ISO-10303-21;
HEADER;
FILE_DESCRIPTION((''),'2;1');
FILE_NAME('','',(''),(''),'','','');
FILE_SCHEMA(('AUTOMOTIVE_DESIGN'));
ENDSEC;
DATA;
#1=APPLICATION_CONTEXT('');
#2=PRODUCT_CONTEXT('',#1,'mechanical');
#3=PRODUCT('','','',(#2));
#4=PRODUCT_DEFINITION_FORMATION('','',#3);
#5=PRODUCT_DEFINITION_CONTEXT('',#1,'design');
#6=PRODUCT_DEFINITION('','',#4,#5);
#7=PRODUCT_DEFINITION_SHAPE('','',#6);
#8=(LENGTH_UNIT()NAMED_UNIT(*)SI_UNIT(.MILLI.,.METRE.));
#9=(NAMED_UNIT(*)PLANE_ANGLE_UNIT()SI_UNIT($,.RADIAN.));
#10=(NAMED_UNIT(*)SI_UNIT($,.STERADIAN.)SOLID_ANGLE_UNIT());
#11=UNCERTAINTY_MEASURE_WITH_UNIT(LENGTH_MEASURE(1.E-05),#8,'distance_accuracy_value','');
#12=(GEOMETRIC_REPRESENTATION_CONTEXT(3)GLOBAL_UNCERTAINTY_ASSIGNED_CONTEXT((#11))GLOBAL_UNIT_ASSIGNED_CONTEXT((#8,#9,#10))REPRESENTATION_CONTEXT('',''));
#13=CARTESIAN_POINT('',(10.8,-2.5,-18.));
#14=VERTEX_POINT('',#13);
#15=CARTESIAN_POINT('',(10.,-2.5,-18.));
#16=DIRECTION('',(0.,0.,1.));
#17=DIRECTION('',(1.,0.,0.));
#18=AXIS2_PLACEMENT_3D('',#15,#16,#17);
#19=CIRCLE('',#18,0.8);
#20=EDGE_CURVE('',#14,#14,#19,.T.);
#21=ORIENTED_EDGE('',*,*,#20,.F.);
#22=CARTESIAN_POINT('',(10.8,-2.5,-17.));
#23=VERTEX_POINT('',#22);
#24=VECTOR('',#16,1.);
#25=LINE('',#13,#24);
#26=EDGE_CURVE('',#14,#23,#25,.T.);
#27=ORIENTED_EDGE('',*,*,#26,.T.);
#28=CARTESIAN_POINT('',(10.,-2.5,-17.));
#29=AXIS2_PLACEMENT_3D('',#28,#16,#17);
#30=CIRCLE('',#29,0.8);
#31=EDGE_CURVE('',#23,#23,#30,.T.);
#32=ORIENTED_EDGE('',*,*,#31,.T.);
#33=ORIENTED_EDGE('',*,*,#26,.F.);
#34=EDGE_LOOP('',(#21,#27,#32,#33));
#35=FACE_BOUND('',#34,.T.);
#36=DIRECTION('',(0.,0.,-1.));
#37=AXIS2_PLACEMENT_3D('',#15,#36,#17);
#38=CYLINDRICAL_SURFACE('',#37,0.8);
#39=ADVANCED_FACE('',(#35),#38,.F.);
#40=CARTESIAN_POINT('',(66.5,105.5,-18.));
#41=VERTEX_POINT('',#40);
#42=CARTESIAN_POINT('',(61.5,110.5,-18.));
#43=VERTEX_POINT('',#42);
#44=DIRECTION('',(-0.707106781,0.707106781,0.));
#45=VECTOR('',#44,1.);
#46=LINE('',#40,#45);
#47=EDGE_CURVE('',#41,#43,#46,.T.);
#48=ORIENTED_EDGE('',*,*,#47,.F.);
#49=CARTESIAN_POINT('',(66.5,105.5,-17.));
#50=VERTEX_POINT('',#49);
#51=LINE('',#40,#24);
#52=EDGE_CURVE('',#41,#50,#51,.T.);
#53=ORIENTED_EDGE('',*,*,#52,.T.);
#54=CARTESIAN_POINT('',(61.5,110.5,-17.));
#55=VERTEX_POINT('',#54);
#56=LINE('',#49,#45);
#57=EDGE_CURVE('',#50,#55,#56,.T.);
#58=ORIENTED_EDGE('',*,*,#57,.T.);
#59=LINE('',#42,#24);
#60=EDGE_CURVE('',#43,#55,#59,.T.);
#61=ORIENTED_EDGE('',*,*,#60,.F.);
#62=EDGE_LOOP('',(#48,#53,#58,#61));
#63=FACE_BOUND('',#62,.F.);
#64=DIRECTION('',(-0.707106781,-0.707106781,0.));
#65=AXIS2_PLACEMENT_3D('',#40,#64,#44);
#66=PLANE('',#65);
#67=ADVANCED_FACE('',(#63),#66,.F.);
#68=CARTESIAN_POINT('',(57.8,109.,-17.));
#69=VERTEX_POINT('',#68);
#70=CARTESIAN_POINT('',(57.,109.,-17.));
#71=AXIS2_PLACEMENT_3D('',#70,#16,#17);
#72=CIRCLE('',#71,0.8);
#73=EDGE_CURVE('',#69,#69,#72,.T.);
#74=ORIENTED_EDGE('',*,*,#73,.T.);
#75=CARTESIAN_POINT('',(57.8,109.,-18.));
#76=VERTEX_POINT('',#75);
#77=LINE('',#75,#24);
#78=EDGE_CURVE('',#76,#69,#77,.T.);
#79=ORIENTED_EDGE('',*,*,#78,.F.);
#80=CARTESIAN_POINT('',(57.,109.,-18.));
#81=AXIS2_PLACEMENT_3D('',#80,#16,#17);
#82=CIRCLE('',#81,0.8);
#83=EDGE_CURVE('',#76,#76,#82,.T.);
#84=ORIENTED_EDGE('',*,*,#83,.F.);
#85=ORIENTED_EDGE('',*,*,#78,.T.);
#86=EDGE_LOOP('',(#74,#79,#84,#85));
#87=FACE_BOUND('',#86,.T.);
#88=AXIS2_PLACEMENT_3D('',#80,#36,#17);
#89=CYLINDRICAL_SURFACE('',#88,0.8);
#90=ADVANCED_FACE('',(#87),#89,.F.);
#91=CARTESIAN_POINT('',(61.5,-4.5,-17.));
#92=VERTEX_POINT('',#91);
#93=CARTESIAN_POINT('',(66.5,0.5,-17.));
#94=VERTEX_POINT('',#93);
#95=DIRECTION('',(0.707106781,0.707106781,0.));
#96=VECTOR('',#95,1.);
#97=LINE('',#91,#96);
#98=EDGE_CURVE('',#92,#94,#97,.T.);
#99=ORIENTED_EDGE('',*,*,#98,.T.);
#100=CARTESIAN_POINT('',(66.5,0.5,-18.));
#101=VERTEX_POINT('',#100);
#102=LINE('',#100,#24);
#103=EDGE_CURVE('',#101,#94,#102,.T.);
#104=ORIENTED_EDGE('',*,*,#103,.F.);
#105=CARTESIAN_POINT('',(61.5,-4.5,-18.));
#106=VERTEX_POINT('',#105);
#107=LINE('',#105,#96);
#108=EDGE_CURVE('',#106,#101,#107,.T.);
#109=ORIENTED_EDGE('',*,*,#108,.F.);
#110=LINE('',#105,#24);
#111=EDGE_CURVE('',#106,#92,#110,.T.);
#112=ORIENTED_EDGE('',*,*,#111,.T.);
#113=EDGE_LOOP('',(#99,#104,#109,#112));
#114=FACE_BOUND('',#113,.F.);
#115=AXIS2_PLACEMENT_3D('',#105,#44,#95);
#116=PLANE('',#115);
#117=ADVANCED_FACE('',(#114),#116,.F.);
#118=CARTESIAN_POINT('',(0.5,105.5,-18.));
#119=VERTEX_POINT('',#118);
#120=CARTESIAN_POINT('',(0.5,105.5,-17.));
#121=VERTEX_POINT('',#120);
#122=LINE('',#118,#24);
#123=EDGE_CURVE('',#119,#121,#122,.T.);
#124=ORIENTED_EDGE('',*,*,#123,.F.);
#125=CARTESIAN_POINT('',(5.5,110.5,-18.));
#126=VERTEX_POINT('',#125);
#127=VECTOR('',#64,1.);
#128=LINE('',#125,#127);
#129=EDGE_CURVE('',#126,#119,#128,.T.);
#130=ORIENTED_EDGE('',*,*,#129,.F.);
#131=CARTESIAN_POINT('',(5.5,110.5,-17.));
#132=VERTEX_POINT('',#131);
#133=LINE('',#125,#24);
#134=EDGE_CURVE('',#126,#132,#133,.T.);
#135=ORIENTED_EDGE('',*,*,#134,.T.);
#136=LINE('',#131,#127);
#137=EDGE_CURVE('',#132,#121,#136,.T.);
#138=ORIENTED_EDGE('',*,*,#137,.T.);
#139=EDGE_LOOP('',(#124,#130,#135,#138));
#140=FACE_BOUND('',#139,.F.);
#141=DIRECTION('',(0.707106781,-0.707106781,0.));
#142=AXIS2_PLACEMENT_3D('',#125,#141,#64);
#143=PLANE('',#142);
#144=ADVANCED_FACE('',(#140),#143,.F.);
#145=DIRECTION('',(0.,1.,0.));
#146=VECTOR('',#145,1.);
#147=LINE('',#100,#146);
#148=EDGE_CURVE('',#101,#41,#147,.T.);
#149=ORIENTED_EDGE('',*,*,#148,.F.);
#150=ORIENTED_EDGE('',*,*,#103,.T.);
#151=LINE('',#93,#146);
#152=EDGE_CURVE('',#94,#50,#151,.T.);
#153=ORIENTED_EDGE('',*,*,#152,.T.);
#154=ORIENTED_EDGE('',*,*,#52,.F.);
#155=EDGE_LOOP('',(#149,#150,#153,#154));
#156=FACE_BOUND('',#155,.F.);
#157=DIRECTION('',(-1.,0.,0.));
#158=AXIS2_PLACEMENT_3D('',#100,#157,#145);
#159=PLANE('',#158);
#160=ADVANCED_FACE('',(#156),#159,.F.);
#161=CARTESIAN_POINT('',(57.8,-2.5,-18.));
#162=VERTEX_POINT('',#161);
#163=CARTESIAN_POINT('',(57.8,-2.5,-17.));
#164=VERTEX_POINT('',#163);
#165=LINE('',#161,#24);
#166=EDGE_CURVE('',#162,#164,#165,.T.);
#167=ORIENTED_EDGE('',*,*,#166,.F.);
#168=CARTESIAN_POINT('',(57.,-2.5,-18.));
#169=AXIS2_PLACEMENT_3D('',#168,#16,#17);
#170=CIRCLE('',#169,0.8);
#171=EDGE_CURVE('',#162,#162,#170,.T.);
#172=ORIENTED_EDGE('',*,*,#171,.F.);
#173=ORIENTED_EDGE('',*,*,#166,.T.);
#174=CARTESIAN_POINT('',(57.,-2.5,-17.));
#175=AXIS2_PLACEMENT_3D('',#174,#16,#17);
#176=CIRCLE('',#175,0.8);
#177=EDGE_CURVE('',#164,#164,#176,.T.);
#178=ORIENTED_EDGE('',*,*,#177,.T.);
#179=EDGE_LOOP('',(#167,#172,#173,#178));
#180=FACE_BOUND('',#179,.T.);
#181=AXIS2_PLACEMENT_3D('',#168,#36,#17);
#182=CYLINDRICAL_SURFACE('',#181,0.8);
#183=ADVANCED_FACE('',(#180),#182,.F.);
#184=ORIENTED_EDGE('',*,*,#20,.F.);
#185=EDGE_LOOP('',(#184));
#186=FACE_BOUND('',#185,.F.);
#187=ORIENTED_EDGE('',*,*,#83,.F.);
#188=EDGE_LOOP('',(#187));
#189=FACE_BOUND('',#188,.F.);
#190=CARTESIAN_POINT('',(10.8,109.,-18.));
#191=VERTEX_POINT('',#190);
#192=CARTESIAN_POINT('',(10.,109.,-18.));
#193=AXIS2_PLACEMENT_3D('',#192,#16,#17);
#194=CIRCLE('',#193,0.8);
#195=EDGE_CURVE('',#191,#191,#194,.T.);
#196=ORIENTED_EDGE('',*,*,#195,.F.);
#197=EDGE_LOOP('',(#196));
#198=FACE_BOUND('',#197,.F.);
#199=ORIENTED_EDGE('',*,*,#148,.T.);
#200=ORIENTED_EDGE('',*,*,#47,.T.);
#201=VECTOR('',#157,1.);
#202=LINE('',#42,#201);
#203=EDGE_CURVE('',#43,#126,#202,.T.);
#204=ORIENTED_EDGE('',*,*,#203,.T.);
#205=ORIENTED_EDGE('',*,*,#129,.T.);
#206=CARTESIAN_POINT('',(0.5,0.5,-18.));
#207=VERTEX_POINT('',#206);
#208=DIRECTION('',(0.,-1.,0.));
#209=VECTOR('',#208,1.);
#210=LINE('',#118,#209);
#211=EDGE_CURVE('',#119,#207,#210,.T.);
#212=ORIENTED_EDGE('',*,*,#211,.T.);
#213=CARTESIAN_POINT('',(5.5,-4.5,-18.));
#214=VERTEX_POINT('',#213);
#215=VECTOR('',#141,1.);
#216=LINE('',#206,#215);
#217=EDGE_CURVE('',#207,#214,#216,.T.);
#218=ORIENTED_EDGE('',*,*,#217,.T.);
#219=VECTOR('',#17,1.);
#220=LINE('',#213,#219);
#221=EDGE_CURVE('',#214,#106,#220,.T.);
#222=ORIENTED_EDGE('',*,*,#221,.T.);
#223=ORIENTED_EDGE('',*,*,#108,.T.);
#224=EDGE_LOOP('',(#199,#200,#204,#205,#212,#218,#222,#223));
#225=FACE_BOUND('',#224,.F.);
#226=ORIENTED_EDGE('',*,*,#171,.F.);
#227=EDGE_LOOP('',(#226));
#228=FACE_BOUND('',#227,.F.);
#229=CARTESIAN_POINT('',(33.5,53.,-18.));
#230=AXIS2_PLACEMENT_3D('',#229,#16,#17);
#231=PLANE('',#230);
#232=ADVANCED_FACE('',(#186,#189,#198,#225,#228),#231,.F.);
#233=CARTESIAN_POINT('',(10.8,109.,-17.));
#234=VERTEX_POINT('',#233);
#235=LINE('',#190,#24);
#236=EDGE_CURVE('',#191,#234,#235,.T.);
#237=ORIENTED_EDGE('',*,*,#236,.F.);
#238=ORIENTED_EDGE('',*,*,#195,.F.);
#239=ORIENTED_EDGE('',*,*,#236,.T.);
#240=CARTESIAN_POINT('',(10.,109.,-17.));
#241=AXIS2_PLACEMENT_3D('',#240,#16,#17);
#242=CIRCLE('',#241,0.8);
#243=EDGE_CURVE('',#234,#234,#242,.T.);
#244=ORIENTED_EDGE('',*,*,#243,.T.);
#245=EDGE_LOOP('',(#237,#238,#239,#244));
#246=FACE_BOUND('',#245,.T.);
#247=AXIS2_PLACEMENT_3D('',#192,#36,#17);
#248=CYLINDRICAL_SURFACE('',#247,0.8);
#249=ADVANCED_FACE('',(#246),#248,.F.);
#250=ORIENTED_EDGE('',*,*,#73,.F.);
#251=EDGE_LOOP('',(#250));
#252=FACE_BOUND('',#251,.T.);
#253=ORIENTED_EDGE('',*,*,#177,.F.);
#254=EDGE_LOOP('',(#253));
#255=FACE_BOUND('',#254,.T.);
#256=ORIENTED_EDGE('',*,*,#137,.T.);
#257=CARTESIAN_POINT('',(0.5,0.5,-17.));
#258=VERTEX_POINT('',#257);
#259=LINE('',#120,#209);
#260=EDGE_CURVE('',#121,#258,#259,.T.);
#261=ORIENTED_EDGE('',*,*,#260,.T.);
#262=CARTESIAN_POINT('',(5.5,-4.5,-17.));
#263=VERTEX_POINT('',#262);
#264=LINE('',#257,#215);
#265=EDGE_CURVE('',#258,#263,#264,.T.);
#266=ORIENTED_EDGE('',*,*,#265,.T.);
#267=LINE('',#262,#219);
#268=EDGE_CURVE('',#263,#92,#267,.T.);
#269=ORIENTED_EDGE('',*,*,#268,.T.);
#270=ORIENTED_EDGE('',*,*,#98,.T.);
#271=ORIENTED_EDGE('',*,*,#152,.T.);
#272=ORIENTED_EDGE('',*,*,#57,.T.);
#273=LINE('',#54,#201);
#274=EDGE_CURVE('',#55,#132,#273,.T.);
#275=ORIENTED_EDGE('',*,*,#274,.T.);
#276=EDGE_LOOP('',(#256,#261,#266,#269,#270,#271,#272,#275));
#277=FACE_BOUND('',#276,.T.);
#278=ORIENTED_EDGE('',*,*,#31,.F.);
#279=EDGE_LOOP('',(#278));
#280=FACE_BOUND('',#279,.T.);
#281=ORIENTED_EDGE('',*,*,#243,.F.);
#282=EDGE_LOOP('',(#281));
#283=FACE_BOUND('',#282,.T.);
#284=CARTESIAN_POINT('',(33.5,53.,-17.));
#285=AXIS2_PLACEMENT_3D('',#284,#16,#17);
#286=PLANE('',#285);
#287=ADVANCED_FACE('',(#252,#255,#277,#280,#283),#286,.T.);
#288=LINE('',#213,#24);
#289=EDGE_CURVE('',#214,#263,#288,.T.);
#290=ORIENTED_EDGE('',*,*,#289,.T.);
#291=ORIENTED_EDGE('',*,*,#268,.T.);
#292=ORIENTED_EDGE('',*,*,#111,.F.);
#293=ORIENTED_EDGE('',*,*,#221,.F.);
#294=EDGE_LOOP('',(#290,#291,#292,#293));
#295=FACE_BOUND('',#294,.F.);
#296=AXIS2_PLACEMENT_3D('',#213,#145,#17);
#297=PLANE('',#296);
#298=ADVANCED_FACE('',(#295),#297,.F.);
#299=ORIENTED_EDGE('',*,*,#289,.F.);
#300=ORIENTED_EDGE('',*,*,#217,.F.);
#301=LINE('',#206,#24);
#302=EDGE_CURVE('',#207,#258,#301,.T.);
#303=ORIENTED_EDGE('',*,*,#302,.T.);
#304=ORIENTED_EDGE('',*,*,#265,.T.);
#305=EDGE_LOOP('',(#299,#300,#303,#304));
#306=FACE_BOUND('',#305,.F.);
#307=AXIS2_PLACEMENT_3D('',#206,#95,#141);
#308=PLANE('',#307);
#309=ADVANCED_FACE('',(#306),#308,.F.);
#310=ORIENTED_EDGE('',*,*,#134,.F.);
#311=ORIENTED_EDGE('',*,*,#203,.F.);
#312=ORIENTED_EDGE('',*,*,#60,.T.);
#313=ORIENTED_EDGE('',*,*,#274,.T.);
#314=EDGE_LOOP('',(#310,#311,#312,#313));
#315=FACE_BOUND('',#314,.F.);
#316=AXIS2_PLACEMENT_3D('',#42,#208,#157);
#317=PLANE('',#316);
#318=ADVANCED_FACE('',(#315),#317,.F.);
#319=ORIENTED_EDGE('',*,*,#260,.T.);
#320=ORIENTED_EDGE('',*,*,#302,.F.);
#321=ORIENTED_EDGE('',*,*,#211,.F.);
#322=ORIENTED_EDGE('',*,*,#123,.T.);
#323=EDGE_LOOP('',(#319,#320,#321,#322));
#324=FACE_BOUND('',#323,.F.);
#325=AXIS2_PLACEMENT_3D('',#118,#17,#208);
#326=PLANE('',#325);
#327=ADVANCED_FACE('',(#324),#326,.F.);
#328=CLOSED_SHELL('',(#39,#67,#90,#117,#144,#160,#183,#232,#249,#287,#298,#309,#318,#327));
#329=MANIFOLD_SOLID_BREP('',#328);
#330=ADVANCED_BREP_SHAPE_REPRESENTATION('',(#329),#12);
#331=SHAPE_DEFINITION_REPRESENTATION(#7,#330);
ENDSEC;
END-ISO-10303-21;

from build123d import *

# Parameters (mm, degrees)
CYLINDER001_R     = 0.8
CYLINDER001_DEPTH = 1
CYLINDER002_R     = 0.8
CYLINDER002_DEPTH = 1
CYLINDER003_R     = 0.8
CYLINDER003_DEPTH = 1
CYLINDER_R        = 0.8
CYLINDER_DEPTH    = 1
PAD003_DEPTH      = 1


with BuildPart() as cylinder001:
    # Cylinder001 → Cylinder001 (new body)
    with BuildSketch(Plane(origin=(57, -2.5, -18), x_dir=(1, 0, 0), z_dir=(0, 0, 1))):
        Circle(CYLINDER001_R)
    extrude(amount=CYLINDER001_DEPTH)


with BuildPart() as cylinder002:
    # Cylinder002 → Cylinder002 (new body)
    with BuildSketch(Plane(origin=(57, 109, -18), x_dir=(1, 0, 0), z_dir=(0, 0, 1))):
        Circle(CYLINDER002_R)
    extrude(amount=CYLINDER002_DEPTH)


with BuildPart() as cylinder003:
    # Cylinder003 → Cylinder003 (new body)
    with BuildSketch(Plane(origin=(10, 109, -18), x_dir=(1, 0, 0), z_dir=(0, 0, 1))):
        Circle(CYLINDER003_R)
    extrude(amount=CYLINDER003_DEPTH)


with BuildPart() as fusion006:
    # Cylinder → Cylinder (new body)
    with BuildSketch(Plane(origin=(10, -2.5, -18), x_dir=(1, 0, 0), z_dir=(0, 0, 1))):
        Circle(CYLINDER_R)
    extrude(amount=CYLINDER_DEPTH)

    # Fusion006: union Cylinder001, Cylinder002, Cylinder003
    add(cylinder001.part)
    add(cylinder002.part)
    add(cylinder003.part)


with BuildPart() as cut002:
    # Sketch003 → Pad003 (new body)
    with BuildSketch(Plane.XY.offset(-18)):
        Polygon((0.5, 0.5), (5.5, -4.5), (61.5, -4.5), (66.5, 0.5), (66.5, 105.5), (61.5, 110.5), (5.5, 110.5), (0.5, 105.5), align=None)
    extrude(amount=PAD003_DEPTH)

    # Cut002: cut Fusion006
    add(fusion006.part, mode=Mode.SUBTRACT)


solid = cut002.part
